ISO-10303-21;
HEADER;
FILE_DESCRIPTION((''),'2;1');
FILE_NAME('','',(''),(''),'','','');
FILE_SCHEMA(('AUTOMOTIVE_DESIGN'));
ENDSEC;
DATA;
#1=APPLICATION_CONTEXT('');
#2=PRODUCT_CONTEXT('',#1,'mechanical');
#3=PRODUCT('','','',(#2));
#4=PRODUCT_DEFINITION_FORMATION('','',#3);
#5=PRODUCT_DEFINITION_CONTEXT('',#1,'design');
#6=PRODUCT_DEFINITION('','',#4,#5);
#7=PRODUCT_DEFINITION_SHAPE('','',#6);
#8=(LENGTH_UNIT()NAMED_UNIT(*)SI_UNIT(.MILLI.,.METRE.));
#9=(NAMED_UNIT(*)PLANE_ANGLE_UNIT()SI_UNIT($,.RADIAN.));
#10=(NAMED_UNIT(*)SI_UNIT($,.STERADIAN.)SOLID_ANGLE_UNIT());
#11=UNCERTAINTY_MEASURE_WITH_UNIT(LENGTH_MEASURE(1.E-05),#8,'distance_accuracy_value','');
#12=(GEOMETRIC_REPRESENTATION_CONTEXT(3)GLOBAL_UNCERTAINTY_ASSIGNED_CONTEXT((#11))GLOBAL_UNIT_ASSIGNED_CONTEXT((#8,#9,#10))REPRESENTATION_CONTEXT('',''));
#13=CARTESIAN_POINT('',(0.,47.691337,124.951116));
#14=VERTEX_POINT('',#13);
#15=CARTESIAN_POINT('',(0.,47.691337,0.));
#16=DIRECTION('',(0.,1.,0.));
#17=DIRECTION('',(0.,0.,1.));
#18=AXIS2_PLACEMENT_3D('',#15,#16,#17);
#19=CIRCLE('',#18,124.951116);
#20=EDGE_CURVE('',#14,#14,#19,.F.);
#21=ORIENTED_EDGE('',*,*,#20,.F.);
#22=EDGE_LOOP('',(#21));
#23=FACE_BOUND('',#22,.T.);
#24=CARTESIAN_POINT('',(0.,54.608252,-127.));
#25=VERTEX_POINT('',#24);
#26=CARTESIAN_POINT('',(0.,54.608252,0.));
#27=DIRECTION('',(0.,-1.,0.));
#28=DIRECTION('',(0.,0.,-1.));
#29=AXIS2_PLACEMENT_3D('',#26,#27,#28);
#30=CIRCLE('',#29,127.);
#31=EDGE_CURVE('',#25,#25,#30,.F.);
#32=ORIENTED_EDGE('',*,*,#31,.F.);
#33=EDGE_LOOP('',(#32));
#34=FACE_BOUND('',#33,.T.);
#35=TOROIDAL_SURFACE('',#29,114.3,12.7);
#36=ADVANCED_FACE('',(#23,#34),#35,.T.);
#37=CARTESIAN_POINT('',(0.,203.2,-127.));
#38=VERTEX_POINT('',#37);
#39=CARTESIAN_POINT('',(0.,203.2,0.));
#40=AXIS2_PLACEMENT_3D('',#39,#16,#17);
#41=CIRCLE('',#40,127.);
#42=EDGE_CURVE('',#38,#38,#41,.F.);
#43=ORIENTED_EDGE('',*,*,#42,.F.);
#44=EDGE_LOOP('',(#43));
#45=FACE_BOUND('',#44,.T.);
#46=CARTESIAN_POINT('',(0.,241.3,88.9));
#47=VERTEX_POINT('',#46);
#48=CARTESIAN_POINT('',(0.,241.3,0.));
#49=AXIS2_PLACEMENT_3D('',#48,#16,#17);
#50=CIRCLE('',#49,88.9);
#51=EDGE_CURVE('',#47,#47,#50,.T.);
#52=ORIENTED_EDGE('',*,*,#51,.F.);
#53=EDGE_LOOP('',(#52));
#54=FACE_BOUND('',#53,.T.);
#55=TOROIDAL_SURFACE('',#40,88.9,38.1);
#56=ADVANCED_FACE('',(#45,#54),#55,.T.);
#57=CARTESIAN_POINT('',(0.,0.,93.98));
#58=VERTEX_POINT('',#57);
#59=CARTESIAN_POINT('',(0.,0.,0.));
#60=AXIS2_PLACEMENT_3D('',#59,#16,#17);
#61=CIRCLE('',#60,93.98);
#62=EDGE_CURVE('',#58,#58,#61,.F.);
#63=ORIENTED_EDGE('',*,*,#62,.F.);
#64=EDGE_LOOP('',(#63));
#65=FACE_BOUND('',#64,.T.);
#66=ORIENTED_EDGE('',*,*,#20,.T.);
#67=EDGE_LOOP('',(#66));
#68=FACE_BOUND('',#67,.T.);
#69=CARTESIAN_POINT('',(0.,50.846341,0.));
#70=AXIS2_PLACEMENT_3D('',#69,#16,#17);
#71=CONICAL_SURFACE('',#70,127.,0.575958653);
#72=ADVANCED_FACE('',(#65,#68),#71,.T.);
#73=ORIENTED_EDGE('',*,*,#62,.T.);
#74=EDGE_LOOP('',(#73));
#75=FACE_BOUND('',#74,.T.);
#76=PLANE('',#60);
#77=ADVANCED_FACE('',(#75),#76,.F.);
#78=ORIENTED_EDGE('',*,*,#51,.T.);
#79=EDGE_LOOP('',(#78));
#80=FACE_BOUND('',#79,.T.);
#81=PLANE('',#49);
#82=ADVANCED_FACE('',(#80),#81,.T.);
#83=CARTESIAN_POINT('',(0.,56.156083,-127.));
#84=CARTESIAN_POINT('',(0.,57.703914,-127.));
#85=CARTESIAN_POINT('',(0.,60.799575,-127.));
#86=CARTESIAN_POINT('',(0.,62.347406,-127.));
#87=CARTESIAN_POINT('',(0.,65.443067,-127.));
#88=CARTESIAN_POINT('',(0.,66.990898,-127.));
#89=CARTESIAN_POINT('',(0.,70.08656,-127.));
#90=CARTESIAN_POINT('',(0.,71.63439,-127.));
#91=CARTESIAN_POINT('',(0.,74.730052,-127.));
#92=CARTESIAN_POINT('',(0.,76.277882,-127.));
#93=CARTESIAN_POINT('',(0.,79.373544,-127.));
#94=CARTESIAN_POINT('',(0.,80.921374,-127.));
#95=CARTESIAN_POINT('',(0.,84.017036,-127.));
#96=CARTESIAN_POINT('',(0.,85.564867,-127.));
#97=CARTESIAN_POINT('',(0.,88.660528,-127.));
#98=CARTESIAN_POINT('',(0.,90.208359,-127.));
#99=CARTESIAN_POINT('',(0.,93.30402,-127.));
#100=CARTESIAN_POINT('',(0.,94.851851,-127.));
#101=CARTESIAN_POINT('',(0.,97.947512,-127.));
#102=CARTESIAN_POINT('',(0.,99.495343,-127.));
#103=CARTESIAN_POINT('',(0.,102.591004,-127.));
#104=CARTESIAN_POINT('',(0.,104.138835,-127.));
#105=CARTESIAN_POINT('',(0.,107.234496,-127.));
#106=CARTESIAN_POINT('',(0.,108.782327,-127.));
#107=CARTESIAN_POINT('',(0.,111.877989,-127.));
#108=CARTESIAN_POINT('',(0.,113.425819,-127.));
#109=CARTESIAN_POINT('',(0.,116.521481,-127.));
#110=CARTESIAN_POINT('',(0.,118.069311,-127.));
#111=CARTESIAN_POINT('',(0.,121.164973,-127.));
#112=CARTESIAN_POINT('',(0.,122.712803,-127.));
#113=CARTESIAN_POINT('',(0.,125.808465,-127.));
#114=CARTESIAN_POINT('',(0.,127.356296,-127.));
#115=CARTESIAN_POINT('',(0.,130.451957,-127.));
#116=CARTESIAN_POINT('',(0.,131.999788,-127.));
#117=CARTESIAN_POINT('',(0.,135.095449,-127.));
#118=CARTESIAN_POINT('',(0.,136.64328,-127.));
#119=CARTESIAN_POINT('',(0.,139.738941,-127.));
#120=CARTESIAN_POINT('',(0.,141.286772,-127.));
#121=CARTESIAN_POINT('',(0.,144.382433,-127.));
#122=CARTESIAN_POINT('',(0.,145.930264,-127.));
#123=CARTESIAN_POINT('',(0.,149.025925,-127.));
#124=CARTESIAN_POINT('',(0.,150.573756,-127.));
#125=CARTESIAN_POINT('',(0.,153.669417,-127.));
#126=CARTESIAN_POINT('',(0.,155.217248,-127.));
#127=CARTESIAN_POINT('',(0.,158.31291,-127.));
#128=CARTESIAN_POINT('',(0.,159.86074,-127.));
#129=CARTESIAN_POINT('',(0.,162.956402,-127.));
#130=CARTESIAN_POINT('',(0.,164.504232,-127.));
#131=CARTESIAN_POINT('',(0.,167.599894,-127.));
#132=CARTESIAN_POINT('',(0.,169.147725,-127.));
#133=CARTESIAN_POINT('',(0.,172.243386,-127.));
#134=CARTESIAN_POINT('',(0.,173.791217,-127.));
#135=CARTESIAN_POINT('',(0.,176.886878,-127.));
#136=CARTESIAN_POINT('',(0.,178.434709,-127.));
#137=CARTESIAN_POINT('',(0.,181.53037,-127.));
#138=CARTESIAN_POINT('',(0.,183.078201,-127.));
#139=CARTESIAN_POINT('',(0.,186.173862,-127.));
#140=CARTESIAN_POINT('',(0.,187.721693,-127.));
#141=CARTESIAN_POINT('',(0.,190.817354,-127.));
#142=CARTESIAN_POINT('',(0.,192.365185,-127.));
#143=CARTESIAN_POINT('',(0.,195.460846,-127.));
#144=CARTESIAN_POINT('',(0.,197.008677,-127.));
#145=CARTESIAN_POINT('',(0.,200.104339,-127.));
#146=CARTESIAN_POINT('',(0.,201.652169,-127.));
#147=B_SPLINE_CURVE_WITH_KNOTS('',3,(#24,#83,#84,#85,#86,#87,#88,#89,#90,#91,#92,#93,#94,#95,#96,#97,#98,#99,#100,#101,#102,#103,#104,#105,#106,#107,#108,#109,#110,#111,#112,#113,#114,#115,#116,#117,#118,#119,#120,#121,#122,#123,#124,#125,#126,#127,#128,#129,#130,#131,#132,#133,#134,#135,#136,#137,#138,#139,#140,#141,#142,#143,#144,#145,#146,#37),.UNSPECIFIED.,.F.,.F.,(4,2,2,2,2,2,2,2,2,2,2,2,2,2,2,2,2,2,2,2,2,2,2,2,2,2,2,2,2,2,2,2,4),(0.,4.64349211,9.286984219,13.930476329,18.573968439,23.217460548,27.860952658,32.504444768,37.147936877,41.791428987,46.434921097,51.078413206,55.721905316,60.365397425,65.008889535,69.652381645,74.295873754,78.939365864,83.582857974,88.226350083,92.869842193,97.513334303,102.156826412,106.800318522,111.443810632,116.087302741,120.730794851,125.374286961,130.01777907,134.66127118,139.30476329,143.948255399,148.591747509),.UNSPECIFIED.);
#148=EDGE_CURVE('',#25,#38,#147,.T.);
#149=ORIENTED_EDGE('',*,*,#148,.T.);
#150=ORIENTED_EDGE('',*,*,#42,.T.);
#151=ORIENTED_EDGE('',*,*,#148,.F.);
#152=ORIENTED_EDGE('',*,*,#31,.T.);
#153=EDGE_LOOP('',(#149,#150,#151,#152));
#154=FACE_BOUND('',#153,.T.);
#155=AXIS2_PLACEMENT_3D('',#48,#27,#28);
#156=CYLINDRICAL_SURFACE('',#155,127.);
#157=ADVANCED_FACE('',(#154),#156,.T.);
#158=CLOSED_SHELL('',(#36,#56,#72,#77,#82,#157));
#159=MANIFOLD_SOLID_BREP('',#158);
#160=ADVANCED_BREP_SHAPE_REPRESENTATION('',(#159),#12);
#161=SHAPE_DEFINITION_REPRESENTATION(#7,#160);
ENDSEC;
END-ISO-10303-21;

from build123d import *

# Parameters (mm, degrees)
SKETCH1_R           = 127
BOSS_EXTRUDE1_DEPTH = 241.3
FILLET1_R           = 38.1
CHAMFER1_SIZE       = 33.02
CHAMFER1_SIZE2      = 50.846341105
FILLET2_R           = 12.7


with BuildPart() as part:
    # Sketch1 → Boss-Extrude1 (new body)
    with BuildSketch(Plane(origin=(0, 0, 0), x_dir=(1, 0, 0), z_dir=(0, 1, 0))):
        with Locations(Location((0, 0, 0), (0, 0, 90))):
            Circle(SKETCH1_R)
    extrude(amount=BOSS_EXTRUDE1_DEPTH)

    # Fillet1
    fillet1_edges = [part.edges().sort_by_distance(p)[0] for p in [
        (0, 241.3, 127),
    ]]
    fillet(fillet1_edges, radius=FILLET1_R)

    # Chamfer1
    chamfer1_edges = [part.edges().sort_by_distance(p)[0] for p in [
        (0, 0, 127),
    ]]
    chamfer1_side = [part.faces().sort_by_distance(p)[0] for p in [
        (0, 0, 0),
    ]]
    chamfer(chamfer1_edges, length=CHAMFER1_SIZE, length2=CHAMFER1_SIZE2, reference=chamfer1_side[0])

    # Fillet2
    fillet2_edges = [part.edges().sort_by_distance(p)[0] for p in [
        (0, 50.846341105, 127),
    ]]
    fillet(fillet2_edges, radius=FILLET2_R)


solid = part.part
